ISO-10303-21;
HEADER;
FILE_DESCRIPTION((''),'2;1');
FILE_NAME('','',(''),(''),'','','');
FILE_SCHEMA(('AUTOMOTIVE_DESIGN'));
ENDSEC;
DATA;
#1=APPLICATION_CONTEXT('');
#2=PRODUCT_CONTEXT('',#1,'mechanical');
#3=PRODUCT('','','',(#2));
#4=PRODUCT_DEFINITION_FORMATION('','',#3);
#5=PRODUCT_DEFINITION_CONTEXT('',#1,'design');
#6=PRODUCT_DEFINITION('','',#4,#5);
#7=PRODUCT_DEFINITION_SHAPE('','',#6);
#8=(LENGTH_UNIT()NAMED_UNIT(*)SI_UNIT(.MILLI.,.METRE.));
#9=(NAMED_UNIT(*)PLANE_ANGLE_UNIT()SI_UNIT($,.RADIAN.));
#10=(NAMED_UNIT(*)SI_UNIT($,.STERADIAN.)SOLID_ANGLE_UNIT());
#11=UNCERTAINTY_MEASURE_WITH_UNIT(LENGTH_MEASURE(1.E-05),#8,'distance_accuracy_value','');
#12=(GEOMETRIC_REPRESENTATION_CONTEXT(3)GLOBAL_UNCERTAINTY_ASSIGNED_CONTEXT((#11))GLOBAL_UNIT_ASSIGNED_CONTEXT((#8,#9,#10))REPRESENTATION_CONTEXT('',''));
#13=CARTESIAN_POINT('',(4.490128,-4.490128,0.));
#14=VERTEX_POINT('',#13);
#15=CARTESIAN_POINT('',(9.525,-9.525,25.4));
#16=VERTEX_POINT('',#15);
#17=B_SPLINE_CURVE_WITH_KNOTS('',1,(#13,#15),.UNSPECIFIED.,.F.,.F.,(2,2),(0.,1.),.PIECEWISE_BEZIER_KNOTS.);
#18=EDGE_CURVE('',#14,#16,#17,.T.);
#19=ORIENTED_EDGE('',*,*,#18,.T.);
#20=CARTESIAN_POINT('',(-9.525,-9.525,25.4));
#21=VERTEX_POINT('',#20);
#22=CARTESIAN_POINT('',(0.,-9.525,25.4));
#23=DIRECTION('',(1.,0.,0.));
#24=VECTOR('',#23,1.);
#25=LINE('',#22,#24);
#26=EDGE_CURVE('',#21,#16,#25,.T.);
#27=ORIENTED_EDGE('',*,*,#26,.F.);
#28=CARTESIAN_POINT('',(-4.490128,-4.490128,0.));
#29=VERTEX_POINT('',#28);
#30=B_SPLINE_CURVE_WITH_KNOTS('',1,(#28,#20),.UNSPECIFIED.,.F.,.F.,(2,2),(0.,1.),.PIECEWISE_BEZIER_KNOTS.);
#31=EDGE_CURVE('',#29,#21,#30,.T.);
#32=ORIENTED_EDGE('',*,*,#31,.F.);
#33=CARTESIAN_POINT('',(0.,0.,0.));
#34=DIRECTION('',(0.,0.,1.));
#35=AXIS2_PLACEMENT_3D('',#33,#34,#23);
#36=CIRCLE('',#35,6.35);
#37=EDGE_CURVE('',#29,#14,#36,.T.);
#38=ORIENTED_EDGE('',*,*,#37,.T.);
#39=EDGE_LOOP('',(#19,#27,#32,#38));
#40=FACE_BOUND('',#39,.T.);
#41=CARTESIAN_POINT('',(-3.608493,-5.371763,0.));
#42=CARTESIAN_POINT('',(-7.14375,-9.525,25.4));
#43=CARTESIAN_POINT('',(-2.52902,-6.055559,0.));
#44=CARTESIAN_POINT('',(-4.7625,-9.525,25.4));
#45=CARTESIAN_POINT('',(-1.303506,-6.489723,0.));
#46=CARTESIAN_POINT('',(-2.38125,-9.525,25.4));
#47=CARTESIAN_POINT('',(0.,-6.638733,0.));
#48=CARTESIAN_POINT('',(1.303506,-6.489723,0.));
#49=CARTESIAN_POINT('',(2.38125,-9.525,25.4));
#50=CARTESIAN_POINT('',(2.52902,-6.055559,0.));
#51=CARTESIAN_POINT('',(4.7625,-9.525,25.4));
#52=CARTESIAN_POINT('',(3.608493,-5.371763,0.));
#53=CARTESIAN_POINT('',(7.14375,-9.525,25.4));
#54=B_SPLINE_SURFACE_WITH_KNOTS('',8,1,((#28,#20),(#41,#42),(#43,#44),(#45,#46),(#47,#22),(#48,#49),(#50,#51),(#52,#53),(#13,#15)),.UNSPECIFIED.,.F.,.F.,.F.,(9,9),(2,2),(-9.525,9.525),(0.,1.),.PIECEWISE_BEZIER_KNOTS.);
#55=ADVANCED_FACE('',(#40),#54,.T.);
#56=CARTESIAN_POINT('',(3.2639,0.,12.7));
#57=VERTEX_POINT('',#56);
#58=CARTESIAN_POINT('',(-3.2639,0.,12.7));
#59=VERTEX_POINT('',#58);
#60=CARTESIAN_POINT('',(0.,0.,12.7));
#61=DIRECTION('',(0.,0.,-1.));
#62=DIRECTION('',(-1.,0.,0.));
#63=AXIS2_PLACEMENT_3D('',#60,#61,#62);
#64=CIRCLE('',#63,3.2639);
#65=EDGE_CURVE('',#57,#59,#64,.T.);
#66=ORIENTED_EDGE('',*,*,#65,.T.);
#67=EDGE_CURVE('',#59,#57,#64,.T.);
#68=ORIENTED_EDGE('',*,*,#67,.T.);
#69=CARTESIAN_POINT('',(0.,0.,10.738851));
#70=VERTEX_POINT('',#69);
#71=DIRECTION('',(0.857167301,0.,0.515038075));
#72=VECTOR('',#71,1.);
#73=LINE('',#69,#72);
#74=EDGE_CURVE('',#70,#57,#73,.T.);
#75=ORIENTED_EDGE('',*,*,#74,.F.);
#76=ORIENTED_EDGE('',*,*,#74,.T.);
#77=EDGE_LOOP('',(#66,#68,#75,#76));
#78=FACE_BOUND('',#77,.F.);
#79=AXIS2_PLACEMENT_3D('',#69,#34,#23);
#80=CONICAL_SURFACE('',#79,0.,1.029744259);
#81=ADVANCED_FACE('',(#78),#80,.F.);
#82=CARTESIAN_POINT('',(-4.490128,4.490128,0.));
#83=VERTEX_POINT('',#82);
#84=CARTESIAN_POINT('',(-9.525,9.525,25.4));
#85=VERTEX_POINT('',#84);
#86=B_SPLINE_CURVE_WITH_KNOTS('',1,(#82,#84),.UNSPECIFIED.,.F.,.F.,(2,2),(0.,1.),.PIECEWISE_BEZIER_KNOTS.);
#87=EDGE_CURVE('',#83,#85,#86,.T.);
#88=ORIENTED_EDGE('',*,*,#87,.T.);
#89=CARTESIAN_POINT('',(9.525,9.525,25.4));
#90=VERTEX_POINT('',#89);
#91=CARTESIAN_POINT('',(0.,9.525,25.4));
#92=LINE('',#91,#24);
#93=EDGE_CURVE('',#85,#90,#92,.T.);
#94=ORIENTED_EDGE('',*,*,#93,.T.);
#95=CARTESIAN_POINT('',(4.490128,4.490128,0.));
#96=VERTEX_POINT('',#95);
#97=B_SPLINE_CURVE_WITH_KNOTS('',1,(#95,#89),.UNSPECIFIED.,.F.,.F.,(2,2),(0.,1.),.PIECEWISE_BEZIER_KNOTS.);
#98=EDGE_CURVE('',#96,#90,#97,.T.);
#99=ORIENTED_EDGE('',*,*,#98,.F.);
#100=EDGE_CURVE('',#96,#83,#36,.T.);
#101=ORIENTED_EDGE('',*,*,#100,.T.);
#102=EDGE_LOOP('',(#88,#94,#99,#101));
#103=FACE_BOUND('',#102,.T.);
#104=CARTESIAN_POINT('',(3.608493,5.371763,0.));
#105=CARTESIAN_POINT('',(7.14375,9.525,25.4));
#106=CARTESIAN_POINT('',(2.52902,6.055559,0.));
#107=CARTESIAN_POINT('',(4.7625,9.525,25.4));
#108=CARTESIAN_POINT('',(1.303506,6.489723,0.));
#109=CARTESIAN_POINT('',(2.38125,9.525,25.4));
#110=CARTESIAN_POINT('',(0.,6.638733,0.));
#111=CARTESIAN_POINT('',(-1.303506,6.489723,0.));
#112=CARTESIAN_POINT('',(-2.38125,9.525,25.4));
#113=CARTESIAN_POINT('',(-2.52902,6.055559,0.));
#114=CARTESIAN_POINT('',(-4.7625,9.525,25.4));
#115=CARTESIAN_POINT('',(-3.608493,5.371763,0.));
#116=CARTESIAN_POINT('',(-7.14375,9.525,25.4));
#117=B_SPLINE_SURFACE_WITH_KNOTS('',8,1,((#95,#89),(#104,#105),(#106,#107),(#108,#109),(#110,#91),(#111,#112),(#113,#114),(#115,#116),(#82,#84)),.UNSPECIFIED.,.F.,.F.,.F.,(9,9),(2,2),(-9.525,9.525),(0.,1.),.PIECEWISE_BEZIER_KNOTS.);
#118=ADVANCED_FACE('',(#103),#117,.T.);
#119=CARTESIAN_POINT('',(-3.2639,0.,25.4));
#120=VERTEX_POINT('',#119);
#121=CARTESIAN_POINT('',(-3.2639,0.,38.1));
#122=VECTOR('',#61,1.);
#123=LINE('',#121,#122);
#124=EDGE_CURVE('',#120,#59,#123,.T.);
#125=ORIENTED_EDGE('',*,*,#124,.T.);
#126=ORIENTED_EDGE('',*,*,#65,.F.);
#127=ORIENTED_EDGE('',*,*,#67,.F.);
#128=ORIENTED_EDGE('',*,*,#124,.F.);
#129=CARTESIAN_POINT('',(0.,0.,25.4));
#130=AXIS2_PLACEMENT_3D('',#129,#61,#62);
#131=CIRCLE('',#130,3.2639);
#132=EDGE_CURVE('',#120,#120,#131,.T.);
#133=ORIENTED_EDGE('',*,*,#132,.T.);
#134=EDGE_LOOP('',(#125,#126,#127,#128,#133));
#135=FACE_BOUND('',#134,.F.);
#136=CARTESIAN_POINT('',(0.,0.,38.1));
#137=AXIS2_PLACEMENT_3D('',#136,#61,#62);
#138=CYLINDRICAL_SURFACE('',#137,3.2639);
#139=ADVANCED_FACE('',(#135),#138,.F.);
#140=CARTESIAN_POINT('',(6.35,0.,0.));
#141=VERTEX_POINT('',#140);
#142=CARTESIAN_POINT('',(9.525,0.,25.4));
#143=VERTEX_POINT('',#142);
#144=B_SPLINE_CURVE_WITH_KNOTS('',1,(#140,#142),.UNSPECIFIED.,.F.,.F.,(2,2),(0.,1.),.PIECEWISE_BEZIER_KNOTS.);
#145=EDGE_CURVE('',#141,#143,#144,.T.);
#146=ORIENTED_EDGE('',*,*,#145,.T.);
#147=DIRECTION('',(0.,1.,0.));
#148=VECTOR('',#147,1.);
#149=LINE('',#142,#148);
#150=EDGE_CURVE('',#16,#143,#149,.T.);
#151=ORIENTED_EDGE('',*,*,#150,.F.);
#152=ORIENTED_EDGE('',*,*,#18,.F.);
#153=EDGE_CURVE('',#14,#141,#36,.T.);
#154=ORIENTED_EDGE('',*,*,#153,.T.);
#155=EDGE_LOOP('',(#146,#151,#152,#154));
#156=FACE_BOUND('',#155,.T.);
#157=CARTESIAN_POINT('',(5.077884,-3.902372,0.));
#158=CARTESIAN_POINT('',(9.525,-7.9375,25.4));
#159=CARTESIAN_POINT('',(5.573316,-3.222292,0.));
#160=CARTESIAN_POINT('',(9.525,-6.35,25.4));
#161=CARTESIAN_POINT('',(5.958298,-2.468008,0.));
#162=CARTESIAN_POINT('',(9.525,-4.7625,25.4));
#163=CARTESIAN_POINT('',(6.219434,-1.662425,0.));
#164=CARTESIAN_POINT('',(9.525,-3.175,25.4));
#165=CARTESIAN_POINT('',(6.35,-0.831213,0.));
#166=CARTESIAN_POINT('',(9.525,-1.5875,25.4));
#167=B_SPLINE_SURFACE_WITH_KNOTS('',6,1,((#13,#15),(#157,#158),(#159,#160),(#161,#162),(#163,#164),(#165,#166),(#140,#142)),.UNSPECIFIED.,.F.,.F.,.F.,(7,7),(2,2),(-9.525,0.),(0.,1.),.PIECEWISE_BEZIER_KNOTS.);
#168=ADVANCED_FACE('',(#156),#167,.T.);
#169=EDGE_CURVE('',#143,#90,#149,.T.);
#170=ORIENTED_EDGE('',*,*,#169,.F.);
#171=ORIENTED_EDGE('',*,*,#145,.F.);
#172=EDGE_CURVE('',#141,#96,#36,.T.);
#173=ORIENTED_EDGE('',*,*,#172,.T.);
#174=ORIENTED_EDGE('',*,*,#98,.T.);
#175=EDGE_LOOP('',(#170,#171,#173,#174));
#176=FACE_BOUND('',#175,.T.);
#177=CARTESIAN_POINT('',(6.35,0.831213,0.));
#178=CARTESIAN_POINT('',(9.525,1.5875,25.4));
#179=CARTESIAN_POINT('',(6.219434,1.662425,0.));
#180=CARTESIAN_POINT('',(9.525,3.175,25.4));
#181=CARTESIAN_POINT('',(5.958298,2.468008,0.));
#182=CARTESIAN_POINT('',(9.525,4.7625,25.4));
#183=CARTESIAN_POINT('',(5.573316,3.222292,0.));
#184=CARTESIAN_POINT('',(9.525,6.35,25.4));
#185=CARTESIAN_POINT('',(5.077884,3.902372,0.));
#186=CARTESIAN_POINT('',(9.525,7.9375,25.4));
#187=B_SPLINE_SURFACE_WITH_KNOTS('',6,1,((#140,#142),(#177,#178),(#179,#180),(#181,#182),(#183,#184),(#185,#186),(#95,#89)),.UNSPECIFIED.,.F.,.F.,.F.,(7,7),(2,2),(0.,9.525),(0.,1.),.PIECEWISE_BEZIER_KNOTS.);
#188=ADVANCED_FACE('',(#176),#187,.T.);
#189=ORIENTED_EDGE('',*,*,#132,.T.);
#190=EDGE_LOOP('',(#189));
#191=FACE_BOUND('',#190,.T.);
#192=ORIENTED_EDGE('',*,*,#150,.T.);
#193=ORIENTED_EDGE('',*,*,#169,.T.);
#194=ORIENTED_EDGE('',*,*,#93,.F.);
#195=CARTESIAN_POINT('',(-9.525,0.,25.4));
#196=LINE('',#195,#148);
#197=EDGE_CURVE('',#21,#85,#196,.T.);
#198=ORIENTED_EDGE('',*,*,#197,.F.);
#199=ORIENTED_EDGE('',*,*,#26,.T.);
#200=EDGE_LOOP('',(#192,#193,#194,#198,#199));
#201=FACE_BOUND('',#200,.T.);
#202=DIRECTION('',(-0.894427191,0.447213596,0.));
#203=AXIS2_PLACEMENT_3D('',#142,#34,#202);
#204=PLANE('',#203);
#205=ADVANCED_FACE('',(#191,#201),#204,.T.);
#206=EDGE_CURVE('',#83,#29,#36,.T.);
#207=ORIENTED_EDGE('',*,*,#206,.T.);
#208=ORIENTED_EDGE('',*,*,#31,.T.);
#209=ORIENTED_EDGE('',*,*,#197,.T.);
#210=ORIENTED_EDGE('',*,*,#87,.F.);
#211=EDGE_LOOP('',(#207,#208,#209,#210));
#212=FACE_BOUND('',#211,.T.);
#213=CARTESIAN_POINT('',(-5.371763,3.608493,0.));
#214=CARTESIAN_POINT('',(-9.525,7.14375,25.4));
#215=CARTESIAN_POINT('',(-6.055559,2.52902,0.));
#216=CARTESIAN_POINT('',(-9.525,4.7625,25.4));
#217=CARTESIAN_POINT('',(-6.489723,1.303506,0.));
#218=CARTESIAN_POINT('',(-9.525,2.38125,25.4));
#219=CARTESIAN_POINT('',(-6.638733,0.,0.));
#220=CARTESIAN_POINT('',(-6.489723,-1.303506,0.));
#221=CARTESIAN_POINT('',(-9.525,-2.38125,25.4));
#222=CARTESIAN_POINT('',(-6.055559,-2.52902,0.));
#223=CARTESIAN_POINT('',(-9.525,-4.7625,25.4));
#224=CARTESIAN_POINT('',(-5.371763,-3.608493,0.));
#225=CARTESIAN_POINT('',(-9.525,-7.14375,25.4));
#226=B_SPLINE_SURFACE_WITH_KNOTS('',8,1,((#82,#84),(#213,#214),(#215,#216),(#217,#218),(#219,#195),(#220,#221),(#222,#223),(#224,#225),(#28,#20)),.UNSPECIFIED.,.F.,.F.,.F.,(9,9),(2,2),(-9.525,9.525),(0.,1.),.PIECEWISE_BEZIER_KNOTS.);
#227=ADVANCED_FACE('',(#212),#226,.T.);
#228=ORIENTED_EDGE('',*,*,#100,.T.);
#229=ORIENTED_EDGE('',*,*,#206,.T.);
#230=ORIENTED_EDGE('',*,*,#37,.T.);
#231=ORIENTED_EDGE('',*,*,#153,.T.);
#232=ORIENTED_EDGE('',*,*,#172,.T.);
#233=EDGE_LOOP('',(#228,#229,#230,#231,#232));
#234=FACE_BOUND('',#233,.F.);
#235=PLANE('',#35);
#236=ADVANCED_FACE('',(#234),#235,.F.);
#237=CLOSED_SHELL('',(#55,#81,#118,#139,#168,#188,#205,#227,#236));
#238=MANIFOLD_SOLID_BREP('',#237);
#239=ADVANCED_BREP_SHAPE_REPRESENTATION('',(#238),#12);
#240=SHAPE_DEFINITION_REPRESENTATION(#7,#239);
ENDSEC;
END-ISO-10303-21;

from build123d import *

# Parameters (mm, degrees)
F0_R     = 6.35
F2_W     = 19.05
F2_H     = 19.05
F5_D     = 6.5278
F5_DEPTH = 12.7
F5_TIP   = 1.9611489744


with BuildPart() as f3:
    # F0 (on Top) → F3 section 0
    with BuildSketch(Plane.XY):
        Circle(F0_R)
    # F2 (on offset) → F3 section 1
    with BuildSketch(Plane.XY.offset(25.4)):
        Rectangle(F2_W, F2_H)
    loft()

    # F5
    with Locations(Plane.XY.offset(25.4)):
        with Locations((0, 0)):
            Hole(F5_D / 2, depth=F5_DEPTH)
            with Locations((0, 0, -(F5_DEPTH + F5_TIP / 2))):  # 118° drill point
                Cone(0, F5_D / 2, F5_TIP, mode=Mode.SUBTRACT)


solid = f3.part
